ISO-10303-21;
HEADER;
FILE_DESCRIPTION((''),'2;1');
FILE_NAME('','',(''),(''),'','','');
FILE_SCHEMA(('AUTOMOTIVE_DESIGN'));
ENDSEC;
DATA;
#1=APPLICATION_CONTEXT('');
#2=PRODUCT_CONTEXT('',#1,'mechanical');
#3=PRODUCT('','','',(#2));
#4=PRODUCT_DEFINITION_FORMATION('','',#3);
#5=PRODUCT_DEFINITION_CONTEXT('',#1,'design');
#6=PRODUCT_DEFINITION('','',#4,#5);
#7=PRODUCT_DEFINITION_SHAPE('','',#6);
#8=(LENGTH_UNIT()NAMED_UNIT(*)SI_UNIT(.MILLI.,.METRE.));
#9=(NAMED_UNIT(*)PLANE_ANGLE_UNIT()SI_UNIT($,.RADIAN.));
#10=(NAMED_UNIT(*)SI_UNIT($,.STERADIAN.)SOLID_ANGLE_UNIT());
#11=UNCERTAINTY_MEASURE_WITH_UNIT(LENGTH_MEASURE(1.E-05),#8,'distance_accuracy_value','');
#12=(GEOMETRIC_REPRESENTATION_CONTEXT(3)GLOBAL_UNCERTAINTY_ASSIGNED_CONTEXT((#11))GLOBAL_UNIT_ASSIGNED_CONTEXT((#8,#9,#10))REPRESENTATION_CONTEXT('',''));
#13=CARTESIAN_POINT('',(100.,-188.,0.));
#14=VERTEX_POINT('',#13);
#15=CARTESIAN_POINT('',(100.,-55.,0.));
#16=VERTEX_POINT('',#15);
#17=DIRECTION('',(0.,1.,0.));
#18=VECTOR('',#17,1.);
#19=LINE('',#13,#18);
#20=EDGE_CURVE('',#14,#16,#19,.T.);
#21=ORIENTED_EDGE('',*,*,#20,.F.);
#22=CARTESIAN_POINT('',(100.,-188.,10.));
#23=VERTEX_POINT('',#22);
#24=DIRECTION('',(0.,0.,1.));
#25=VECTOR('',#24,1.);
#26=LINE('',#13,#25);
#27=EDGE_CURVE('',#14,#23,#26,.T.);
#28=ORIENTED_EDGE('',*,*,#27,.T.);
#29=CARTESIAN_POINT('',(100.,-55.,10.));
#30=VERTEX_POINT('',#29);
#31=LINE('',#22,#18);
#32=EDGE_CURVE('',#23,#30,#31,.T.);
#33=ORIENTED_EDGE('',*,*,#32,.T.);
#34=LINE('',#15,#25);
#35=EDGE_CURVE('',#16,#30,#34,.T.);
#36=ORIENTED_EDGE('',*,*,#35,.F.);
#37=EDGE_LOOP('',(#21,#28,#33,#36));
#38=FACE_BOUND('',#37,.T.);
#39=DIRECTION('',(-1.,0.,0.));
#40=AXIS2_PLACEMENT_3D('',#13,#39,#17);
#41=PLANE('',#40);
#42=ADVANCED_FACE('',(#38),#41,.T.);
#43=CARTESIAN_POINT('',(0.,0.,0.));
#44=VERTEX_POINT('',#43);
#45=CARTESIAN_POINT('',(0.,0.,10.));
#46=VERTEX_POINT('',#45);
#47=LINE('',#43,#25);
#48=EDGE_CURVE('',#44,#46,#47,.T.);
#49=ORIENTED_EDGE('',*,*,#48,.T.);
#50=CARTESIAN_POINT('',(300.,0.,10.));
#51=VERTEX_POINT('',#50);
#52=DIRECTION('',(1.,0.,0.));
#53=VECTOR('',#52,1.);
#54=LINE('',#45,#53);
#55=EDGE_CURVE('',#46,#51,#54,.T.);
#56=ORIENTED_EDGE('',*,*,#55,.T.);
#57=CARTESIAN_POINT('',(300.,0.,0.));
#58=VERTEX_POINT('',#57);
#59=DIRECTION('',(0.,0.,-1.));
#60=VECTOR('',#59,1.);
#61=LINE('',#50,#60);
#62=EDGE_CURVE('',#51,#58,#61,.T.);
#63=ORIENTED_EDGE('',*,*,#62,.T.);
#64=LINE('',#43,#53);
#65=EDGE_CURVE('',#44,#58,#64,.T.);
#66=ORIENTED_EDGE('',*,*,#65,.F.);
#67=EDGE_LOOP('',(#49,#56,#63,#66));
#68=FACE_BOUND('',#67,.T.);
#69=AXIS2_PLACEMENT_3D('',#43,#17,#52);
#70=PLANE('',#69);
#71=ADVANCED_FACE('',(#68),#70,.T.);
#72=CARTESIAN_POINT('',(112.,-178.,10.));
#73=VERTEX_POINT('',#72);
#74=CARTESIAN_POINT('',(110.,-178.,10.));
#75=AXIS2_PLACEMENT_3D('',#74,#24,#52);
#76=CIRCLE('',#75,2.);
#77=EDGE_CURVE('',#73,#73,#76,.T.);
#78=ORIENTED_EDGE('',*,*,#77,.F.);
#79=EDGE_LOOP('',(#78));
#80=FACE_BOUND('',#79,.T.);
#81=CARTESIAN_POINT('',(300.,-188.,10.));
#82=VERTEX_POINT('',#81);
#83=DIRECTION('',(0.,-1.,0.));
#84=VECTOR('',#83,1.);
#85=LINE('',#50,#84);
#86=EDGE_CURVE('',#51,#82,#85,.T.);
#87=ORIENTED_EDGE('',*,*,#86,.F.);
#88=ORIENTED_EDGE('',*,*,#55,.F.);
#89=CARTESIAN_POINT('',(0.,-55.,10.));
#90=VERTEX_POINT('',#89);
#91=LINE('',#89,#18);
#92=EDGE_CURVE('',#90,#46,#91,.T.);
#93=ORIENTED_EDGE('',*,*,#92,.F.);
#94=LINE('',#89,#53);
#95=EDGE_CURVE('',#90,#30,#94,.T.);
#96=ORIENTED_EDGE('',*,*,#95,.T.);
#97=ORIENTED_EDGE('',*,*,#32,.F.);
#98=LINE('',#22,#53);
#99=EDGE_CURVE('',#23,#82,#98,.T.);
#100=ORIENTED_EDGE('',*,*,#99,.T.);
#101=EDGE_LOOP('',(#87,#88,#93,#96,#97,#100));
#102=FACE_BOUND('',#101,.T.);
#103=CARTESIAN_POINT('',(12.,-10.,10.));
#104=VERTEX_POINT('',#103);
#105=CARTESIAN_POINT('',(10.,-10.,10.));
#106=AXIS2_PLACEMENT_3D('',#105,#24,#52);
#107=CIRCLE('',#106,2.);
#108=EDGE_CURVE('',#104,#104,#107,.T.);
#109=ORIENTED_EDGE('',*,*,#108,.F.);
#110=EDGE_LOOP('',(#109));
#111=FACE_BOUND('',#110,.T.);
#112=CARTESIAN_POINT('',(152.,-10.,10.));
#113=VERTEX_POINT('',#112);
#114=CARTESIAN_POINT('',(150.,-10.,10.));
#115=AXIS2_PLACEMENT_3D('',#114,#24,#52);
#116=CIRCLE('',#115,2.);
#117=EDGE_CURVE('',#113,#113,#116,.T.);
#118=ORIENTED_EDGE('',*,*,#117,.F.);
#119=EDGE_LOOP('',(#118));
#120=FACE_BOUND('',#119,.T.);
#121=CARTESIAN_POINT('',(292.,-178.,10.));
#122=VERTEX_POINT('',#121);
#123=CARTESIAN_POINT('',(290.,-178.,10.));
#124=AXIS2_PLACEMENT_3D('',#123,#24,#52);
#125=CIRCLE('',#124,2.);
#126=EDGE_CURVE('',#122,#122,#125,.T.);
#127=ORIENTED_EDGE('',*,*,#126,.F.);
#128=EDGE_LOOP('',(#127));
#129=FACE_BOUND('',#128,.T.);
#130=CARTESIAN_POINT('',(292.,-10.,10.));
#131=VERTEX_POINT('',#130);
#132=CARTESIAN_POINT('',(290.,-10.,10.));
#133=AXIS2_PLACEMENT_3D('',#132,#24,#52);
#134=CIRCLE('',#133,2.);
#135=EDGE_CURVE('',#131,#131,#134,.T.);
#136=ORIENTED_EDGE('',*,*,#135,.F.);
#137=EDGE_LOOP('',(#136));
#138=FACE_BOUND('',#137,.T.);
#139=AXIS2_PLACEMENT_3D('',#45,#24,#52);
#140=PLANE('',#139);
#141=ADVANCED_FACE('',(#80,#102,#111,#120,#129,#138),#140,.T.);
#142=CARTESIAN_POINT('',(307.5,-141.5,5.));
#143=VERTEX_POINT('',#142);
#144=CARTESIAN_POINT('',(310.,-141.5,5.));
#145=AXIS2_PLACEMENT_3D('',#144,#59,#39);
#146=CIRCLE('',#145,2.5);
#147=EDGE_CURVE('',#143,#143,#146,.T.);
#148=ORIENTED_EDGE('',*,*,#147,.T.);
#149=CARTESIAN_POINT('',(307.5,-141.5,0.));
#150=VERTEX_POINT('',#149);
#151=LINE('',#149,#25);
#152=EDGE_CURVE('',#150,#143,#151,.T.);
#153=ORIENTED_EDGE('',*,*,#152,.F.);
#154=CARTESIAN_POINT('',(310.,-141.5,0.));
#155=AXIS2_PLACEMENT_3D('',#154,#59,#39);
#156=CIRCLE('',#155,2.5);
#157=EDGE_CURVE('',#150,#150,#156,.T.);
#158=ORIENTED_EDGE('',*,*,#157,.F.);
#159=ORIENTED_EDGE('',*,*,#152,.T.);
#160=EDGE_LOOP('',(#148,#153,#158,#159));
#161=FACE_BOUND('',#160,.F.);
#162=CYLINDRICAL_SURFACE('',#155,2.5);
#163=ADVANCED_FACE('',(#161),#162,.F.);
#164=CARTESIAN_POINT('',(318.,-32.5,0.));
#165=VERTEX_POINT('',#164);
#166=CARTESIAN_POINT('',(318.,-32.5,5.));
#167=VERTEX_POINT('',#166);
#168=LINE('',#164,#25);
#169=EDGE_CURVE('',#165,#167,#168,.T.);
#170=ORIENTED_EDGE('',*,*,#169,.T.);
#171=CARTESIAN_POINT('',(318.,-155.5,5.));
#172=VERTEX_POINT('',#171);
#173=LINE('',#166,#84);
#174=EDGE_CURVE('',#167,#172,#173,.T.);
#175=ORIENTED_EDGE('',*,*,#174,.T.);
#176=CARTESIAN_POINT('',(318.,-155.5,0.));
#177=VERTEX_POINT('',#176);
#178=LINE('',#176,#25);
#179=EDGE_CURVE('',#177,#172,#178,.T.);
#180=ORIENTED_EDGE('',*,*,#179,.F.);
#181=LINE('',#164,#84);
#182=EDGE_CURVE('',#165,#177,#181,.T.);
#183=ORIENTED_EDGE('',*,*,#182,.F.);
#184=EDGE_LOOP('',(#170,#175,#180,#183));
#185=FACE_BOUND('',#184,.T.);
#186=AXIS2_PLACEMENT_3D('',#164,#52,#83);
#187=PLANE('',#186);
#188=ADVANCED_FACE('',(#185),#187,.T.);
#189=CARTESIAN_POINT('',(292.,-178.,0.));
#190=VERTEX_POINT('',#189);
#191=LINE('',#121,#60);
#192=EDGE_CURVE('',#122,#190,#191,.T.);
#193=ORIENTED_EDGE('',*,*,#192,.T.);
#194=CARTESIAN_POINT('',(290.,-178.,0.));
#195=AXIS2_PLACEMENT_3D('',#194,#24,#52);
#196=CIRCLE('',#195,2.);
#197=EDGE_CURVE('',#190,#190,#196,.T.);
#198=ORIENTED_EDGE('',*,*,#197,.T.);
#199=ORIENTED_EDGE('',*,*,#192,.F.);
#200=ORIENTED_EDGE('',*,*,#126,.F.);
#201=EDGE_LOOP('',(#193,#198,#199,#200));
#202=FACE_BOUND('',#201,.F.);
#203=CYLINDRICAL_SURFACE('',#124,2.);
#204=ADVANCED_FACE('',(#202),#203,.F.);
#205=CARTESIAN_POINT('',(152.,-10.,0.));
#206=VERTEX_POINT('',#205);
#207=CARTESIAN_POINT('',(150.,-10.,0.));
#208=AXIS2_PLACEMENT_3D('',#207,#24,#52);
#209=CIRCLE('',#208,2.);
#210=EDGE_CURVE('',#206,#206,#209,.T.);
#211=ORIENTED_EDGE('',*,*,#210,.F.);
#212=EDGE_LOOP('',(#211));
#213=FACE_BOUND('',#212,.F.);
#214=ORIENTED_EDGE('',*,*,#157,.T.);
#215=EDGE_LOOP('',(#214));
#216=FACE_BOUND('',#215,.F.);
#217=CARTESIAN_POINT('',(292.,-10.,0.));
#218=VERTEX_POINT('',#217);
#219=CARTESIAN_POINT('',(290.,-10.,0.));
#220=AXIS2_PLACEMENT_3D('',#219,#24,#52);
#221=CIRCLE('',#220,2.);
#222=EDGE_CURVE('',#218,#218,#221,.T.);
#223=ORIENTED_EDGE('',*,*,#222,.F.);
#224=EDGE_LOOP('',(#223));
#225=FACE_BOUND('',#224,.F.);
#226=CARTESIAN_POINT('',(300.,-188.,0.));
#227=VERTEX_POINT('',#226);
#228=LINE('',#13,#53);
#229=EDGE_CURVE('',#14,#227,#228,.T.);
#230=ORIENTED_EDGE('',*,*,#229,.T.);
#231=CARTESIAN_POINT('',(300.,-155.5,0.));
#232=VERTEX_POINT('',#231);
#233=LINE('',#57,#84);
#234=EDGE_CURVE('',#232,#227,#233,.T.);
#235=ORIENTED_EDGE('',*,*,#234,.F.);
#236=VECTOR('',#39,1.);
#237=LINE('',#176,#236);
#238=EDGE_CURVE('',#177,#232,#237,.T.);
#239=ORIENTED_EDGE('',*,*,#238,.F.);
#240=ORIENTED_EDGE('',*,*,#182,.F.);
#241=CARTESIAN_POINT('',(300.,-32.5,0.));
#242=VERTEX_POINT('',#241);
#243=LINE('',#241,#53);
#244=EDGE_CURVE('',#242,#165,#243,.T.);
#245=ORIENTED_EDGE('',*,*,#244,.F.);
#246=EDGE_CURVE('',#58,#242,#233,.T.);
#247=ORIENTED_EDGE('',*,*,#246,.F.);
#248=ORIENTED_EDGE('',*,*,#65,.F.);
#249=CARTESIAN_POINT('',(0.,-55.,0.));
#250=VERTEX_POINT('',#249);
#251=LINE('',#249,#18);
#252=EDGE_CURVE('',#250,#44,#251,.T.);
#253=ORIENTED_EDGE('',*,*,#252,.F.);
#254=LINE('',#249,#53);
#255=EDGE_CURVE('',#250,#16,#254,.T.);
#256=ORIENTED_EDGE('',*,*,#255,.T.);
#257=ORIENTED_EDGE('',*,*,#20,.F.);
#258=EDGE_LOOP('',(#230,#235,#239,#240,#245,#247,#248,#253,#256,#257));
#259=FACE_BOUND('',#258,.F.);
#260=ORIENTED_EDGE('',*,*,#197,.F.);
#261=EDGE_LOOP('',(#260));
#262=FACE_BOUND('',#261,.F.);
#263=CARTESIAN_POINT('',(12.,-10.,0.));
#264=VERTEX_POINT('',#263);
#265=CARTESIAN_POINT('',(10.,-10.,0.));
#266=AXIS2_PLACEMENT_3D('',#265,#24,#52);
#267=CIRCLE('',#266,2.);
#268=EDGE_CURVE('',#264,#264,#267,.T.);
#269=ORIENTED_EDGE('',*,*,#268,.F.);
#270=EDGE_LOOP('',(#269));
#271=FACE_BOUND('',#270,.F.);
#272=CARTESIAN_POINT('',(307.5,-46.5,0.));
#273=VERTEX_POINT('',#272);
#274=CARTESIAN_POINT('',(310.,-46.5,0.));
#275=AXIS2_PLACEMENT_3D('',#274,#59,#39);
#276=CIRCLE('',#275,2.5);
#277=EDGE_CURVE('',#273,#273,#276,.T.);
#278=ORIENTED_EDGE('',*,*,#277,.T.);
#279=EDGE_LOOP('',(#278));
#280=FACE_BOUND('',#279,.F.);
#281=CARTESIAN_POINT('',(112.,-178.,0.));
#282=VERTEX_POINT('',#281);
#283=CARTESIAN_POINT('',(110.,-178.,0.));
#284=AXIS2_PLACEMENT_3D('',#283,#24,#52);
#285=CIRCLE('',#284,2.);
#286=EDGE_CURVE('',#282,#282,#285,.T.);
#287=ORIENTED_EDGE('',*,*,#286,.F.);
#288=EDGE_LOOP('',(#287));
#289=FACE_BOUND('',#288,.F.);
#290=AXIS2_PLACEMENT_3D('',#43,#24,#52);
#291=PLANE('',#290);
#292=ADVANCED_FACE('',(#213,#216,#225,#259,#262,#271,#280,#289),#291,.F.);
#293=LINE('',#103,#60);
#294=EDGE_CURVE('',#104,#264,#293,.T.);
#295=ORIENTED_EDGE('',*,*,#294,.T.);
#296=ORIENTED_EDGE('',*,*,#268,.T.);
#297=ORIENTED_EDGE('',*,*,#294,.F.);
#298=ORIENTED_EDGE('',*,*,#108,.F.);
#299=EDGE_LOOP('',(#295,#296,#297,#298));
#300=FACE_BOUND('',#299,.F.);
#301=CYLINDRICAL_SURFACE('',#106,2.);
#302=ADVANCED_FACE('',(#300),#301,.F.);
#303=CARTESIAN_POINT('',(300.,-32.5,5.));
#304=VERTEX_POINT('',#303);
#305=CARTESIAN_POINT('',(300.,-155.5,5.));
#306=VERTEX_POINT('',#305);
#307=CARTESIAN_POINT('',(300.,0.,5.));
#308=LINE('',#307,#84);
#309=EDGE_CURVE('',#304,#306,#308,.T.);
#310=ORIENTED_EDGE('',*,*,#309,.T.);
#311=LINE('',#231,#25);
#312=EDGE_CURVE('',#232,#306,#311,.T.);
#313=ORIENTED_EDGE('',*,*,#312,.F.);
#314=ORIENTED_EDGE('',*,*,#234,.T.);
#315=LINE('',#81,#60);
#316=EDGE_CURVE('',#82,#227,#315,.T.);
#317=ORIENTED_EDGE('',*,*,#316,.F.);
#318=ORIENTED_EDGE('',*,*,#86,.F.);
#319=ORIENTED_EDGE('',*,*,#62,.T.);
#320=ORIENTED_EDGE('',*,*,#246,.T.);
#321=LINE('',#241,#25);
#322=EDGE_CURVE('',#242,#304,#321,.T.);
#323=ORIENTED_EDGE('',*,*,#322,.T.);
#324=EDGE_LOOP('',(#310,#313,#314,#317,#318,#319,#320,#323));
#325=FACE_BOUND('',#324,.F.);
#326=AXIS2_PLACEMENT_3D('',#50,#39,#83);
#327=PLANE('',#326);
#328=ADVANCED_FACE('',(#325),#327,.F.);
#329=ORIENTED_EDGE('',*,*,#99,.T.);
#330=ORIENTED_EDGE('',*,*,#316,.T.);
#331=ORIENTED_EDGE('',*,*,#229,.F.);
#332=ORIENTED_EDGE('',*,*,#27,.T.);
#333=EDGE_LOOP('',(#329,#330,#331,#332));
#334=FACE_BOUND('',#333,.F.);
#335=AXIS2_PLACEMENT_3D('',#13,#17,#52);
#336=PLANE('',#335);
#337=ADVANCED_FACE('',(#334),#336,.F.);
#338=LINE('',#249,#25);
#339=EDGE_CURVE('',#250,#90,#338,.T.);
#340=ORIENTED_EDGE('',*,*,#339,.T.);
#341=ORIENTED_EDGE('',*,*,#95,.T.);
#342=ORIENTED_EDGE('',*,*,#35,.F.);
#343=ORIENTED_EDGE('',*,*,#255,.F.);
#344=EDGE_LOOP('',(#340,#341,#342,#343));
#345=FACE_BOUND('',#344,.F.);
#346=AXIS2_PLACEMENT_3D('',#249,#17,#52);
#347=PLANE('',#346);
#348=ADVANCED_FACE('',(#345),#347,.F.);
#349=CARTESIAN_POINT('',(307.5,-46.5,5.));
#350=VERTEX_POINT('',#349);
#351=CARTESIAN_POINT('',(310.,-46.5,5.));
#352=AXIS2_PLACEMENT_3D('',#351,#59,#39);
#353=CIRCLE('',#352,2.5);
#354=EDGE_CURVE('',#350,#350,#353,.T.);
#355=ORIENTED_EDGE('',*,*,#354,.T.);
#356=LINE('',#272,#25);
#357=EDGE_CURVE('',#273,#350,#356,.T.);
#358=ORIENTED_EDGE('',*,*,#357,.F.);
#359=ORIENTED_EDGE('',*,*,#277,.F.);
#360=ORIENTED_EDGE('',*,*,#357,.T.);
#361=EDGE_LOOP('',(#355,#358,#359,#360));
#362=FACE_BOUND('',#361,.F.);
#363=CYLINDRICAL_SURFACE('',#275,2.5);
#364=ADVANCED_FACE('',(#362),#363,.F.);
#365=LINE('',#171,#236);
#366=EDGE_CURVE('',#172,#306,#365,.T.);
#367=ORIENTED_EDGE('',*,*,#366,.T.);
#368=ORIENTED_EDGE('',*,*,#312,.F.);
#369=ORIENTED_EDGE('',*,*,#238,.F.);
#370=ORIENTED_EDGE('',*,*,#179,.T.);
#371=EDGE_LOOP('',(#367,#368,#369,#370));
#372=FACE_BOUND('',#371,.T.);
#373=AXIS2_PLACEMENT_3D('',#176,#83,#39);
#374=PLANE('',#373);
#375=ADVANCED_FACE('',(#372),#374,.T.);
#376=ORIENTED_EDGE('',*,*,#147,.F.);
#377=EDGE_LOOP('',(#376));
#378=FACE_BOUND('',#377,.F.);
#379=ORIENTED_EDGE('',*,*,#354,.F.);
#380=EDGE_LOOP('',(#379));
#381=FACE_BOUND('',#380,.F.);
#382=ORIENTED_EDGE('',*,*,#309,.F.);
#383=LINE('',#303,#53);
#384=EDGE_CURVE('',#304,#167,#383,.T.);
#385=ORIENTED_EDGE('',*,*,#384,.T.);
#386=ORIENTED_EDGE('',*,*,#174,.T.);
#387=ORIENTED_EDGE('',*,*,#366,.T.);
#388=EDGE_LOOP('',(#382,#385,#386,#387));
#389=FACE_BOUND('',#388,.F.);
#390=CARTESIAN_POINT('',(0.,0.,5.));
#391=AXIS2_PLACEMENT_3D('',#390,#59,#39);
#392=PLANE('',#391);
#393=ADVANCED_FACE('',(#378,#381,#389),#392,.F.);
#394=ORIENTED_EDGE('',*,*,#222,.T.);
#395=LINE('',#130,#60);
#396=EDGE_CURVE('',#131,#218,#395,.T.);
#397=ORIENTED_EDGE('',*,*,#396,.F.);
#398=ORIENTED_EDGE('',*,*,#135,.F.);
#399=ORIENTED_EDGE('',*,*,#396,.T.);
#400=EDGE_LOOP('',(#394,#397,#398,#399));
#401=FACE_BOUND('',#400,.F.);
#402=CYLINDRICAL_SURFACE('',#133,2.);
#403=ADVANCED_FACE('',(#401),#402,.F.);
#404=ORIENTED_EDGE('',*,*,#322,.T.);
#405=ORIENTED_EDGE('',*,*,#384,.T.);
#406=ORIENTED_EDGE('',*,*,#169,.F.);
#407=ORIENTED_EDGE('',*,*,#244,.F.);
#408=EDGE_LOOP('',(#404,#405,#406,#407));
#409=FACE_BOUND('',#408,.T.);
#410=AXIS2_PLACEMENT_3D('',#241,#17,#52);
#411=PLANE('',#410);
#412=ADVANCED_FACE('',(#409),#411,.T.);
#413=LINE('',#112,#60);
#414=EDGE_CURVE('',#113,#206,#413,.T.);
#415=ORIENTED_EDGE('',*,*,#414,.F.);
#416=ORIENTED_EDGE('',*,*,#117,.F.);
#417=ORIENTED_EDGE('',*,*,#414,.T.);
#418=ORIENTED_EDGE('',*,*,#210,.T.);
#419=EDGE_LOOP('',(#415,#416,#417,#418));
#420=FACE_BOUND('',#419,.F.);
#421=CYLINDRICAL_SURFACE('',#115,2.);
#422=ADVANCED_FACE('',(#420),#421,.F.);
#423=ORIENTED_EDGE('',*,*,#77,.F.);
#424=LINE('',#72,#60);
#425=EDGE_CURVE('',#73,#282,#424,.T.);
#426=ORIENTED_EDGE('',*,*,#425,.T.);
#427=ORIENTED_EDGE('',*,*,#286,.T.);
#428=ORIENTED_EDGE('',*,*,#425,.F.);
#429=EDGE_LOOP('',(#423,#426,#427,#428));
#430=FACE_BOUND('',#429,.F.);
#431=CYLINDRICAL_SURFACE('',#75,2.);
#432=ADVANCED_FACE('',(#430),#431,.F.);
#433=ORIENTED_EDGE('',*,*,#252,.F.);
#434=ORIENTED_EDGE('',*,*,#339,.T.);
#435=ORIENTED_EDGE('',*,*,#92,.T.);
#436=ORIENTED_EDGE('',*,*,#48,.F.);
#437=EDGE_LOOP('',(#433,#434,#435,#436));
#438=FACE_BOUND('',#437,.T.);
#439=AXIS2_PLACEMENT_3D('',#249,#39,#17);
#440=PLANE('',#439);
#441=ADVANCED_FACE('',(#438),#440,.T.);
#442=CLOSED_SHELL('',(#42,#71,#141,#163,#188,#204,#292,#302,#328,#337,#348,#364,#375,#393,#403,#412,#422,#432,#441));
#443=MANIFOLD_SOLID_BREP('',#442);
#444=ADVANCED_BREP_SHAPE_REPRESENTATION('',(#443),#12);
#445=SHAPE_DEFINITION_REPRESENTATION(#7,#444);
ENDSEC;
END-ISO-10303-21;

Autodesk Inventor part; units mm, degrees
ref_plane "YZ Plane" through (0, 0, 0) normal (1, 0, 0) x (0, 1, 0)
ref_plane "XZ Plane" through (0, 0, 0) normal (0, 1, 0) x (-1, 0, 0)
ref_plane "XY Plane" through (0, 0, 0) normal (0, 0, 1) x (1, 0, 0)
sketch "Sketch1" plane through (0, 0, 0) normal (0, 0, 1) x (1, 0, 0)
  line L0 (0, 0) -> (600, 0)
  line L1 (100, -188) -> (500, -188)
  line L2 (500, -188) -> (500, -55)
  line L3 (500, -55) -> (600, -55)
  line L4 (600, -55) -> (600, 0)
  line L5 (100, -188) -> (100, -55)
  line L6 (0, -55) -> (0, 0)
  line L7 (0, -55) -> (100, -55)
  point P0 (300, -188)
  point P1 (300, 0)
  dimension "d0" = 600
  dimension "d1" = 188
  dimension "d2" = 400
  dimension "d3" = 133
extrude "Extrusion1" add sketch "Sketch1" along normal blind 10
sketch "Sketch2" plane through (0, 0, 10) normal (0, 0, 1) x (1, 0, 0)
  line L0 (600, 0) -> (0, 0) projected
  line L1 (500, -188) -> (100, -188) projected
  line L2 (600, 0) -> (300, 0)
  line L3 (300, 0) -> (300, -188)
  line L4 (300, -188) -> (600, -188)
  line L5 (600, -188) -> (600, 0)
extrude "Extrusion2" cut sketch "Sketch2" against normal through all
sketch "Sketch3" plane through (0, 0, 10) normal (0, 0, 1) x (1, 0, 0)
  circle A0 centre (10, -10) radius 2
  line L0 (300, 0) -> (0, 0) projected
  line L1 (0, 0) -> (0, -55) projected
  circle A1 centre (150, -10) radius 2
  circle A2 centre (290, -10) radius 2
  line L2 (300, -188) -> (300, 0) projected
  line L3 (10, -10) -> (290, -10) construction
  circle A3 centre (110, -178) radius 2
  line L4 (100, -55) -> (100, -188) projected
  line L5 (100, -188) -> (300, -188) projected
  circle A4 centre (290, -178) radius 2
  dimension "d8" = 4
  dimension "d9" = 10
  dimension "d10" = 10
  dimension "d11" = 4
  dimension "d12" = 4
  dimension "d13" = 10
  dimension "d14" = 4
  dimension "d15" = 10
  dimension "d16" = 10
  dimension "d17" = 4
  dimension "d18" = 10
  dimension "d19" = 10
extrude "Extrusion3" cut sketch "Sketch3" against normal through all
sketch "Sketch4" plane through (0, 0, 0) normal (0, 0, -1) x (-1, 0, 0)
  line L0 (-300, 0) -> (-300, -188) projected
  line L1 (-300, -32.5) -> (-318, -32.5)
  line L2 (-318, -32.5) -> (-318, -155.5)
  line L3 (-318, -155.5) -> (-300, -155.5)
  line L4 (-300, -155.5) -> (-300, -32.5)
  circle A0 centre (-310, -46.5) radius 2.5
  circle A1 centre (-310, -141.5) radius 2.5
  line L5 (-310, -46.5) -> (-310, -141.5) construction
  point P0 (0, 0)
  point P1 (-300, -94)
  point P2 (-310, -94)
  dimension "d22" = 18
  dimension "d23" = 123
  dimension "d24" = 5
  dimension "d25" = 5
  dimension "d26" = 10
  dimension "d27" = 95
extrude "Extrusion4" add sketch "Sketch4" against normal blind 5
properties part number "SP001b" material "ABS Plastic"
